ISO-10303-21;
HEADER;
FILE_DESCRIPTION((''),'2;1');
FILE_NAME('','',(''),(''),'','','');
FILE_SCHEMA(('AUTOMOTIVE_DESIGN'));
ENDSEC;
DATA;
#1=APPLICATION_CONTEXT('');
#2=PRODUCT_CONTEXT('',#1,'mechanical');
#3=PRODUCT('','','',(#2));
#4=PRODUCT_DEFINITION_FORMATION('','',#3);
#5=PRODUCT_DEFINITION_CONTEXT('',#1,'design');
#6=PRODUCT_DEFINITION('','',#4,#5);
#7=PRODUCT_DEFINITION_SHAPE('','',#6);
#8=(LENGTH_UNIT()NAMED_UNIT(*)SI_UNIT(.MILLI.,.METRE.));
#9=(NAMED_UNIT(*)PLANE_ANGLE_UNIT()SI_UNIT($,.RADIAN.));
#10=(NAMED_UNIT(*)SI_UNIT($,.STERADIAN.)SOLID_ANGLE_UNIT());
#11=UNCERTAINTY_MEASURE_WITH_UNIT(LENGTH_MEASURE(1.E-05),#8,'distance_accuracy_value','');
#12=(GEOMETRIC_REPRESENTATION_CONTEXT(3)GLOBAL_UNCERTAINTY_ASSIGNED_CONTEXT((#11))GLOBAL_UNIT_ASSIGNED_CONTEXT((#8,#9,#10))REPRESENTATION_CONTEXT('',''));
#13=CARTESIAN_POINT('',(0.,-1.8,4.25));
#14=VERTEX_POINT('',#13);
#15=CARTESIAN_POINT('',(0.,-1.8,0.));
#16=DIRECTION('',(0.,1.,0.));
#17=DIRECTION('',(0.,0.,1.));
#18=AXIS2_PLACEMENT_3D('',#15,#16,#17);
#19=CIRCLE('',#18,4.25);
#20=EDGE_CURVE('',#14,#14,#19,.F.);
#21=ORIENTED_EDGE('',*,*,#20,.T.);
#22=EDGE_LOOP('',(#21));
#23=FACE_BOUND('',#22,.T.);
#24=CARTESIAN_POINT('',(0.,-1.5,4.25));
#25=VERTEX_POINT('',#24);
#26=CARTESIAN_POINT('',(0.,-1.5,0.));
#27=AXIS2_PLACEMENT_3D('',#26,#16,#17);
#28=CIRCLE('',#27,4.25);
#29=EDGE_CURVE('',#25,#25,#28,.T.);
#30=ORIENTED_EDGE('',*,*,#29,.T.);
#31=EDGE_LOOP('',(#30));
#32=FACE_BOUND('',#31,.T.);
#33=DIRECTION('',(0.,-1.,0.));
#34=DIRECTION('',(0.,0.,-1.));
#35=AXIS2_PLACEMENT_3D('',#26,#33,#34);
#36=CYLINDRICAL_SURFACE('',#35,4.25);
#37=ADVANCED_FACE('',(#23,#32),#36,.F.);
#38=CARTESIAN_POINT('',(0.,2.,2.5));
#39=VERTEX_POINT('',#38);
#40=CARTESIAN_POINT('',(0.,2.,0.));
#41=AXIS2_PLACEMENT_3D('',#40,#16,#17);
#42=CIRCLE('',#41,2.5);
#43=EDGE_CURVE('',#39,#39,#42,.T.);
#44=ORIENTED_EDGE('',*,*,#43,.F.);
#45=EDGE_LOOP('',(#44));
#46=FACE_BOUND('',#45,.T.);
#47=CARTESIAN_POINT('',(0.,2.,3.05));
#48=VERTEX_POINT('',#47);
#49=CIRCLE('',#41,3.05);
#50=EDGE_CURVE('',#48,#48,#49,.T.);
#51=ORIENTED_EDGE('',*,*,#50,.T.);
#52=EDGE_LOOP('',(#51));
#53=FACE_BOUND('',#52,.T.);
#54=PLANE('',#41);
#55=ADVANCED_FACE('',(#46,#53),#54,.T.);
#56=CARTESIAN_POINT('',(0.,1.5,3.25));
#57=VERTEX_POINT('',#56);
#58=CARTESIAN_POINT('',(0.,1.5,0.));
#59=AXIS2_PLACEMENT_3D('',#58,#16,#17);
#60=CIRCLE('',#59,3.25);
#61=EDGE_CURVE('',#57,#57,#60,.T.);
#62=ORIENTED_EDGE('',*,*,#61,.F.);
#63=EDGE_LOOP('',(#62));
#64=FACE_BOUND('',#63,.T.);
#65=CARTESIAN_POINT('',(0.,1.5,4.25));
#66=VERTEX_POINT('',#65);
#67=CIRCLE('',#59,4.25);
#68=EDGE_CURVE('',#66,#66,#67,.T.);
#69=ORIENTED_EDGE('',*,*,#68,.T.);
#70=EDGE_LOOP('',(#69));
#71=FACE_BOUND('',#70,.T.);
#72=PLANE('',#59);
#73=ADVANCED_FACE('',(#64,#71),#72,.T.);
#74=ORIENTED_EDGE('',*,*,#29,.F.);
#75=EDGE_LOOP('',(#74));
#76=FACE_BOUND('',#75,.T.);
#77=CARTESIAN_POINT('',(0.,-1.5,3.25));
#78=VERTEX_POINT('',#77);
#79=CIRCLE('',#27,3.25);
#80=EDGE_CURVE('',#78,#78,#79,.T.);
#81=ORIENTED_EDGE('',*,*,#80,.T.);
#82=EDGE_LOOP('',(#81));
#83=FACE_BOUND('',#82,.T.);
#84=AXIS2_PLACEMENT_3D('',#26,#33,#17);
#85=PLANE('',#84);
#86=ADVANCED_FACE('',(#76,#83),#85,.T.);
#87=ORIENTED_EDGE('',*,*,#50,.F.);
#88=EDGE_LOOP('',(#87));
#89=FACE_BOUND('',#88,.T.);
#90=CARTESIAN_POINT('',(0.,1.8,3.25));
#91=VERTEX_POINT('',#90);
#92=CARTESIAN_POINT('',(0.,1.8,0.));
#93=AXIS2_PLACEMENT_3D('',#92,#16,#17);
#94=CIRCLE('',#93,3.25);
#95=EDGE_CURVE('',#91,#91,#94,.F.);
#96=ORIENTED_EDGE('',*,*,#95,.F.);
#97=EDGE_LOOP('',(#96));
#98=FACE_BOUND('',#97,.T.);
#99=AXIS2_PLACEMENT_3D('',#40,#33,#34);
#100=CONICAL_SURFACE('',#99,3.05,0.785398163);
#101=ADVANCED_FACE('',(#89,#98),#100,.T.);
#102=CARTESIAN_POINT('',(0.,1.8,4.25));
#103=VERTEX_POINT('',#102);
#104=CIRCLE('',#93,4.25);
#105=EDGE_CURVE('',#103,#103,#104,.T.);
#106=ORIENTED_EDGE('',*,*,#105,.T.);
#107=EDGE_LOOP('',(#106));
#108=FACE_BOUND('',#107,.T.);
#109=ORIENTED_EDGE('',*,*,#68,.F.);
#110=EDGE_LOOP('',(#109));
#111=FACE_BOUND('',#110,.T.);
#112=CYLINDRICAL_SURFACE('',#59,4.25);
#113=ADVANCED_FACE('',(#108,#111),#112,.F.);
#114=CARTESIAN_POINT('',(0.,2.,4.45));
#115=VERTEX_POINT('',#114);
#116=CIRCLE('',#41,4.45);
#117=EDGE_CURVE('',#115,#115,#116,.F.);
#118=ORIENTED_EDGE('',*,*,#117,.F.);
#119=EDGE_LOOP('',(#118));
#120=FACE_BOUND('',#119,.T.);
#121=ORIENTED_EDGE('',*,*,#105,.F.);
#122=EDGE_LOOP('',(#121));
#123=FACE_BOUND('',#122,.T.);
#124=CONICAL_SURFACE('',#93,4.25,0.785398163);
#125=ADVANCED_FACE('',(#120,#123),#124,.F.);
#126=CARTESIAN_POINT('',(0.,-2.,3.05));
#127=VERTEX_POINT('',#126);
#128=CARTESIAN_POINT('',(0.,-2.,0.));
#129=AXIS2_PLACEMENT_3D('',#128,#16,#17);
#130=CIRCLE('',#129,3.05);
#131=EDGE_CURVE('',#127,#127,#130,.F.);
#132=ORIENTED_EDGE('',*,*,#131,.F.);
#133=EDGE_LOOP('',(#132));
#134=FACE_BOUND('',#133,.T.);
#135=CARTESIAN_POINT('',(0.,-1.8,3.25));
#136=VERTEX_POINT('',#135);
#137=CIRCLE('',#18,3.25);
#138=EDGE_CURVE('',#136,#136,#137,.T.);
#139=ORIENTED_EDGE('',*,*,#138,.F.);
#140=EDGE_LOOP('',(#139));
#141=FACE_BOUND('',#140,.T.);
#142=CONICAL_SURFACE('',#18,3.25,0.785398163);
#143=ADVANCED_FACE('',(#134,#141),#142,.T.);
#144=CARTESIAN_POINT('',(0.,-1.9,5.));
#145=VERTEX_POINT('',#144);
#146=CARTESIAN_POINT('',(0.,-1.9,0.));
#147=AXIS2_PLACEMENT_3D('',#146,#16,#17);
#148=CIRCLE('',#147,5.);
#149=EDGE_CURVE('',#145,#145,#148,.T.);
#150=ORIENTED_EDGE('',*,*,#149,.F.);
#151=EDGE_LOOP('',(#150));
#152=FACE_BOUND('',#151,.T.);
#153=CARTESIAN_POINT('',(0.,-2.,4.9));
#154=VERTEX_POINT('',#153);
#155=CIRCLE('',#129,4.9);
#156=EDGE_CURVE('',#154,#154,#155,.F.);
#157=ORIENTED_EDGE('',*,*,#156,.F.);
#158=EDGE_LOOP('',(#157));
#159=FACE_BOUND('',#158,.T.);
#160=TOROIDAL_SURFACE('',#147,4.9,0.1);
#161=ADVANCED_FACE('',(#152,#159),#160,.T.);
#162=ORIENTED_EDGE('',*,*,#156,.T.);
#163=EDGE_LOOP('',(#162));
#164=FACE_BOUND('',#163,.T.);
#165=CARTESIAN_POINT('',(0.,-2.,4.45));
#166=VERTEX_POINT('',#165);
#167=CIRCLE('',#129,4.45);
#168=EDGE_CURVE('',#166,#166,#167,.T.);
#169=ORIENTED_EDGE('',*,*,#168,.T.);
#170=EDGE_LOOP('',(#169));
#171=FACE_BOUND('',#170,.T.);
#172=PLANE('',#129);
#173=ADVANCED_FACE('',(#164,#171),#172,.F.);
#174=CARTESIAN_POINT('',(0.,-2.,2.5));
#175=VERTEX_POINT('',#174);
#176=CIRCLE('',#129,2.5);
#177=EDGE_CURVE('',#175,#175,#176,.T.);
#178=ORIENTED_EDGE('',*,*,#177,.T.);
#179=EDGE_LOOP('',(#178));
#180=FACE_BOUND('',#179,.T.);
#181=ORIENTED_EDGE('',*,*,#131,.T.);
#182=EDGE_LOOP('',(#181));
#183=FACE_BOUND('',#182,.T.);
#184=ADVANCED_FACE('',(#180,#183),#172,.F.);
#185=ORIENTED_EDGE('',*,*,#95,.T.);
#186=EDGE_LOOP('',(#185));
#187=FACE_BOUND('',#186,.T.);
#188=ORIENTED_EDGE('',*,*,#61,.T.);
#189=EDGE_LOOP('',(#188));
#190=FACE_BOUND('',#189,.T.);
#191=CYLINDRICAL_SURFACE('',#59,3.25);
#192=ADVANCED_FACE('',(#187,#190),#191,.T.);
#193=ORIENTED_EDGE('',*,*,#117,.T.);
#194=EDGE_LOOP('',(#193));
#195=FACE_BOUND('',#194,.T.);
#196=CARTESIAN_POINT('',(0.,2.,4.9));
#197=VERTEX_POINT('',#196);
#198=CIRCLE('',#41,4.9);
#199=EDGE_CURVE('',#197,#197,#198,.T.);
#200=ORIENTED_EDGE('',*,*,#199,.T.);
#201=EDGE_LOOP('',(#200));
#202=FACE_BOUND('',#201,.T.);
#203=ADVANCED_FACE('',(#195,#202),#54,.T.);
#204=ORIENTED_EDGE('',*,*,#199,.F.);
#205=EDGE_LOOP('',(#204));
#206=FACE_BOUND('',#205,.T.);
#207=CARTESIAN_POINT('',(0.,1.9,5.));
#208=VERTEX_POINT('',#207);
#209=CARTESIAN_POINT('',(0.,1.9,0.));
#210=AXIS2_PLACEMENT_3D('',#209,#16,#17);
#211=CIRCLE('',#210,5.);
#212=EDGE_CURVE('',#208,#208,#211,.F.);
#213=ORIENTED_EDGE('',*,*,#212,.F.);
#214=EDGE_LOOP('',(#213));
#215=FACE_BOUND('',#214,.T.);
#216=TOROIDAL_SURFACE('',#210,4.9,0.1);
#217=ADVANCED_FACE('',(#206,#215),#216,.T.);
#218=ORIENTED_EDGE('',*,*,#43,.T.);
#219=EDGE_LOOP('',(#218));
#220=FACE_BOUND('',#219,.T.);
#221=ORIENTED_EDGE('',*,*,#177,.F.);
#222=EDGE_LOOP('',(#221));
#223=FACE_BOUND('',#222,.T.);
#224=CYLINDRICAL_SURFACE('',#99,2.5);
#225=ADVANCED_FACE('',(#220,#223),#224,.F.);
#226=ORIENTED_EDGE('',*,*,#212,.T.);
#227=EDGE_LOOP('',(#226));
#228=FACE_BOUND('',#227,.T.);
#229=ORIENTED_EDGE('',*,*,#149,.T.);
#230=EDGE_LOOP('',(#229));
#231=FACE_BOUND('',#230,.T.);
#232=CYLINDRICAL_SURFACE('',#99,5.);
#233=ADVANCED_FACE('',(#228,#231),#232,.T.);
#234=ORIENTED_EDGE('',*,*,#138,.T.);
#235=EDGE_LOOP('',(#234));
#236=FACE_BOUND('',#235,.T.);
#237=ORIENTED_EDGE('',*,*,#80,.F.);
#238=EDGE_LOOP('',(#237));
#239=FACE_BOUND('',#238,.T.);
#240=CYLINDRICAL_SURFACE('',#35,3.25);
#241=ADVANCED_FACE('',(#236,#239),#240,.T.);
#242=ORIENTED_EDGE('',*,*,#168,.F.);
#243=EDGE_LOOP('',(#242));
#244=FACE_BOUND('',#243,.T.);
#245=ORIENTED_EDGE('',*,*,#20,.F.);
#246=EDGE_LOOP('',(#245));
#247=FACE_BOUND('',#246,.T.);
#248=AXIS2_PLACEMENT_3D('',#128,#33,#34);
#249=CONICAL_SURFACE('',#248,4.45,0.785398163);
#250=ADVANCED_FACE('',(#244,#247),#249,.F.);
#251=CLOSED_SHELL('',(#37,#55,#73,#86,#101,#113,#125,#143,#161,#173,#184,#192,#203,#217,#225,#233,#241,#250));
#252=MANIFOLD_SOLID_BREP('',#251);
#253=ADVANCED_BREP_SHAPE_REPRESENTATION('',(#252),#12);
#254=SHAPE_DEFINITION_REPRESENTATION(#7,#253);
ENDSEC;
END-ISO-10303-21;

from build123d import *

# Parameters (mm, degrees)
SKETCH2_R           = 5
SKETCH2_R_2         = 2.5
BOSS_EXTRUDE1_DEPTH = 2
SKETCH3_R           = 4.25
SKETCH3_R_2         = 3.25
CUT_EXTRUDE1_DEPTH  = 0.5
CHAMFER1_SIZE       = 0.2
FILLET1_R           = 0.1


with BuildPart() as part:
    # Sketch2 → Boss-Extrude1 (new body, symmetric)
    with BuildSketch(Plane(origin=(0, 0, 0), x_dir=(1, 0, 0), z_dir=(0, 1, 0))):
        Circle(SKETCH2_R)
        Circle(SKETCH2_R_2, mode=Mode.SUBTRACT)
    extrude(amount=BOSS_EXTRUDE1_DEPTH, both=True)

    # Sketch3 → Cut-Extrude1 (cut)
    with BuildSketch(Plane(origin=(0, 2, 0), x_dir=(1, 0, 0), z_dir=(0, 1, 0))):
        Circle(SKETCH3_R)
        Circle(SKETCH3_R_2, mode=Mode.SUBTRACT)
    cut_extrude1 = extrude(amount=-CUT_EXTRUDE1_DEPTH, mode=Mode.SUBTRACT)

    # Mirror1: Cut-Extrude1 across plane
    add(cut_extrude1.mirror(Plane.ZX), mode=Mode.SUBTRACT)

    # Chamfer1
    chamfer1_edges = [part.edges().sort_by_distance(p)[0] for p in [
        (-4.25, 2, 0),
        (-3.25, 2, 0),
        (-3.25, -2, 0),
        (-4.25, -2, 0),
    ]]
    chamfer(chamfer1_edges, length=CHAMFER1_SIZE)

    # Fillet1
    fillet1_edges = [part.edges().sort_by_distance(p)[0] for p in [
        (-5, -2, 0),
        (-5, 2, 0),
    ]]
    fillet(fillet1_edges, radius=FILLET1_R)


solid = part.part
